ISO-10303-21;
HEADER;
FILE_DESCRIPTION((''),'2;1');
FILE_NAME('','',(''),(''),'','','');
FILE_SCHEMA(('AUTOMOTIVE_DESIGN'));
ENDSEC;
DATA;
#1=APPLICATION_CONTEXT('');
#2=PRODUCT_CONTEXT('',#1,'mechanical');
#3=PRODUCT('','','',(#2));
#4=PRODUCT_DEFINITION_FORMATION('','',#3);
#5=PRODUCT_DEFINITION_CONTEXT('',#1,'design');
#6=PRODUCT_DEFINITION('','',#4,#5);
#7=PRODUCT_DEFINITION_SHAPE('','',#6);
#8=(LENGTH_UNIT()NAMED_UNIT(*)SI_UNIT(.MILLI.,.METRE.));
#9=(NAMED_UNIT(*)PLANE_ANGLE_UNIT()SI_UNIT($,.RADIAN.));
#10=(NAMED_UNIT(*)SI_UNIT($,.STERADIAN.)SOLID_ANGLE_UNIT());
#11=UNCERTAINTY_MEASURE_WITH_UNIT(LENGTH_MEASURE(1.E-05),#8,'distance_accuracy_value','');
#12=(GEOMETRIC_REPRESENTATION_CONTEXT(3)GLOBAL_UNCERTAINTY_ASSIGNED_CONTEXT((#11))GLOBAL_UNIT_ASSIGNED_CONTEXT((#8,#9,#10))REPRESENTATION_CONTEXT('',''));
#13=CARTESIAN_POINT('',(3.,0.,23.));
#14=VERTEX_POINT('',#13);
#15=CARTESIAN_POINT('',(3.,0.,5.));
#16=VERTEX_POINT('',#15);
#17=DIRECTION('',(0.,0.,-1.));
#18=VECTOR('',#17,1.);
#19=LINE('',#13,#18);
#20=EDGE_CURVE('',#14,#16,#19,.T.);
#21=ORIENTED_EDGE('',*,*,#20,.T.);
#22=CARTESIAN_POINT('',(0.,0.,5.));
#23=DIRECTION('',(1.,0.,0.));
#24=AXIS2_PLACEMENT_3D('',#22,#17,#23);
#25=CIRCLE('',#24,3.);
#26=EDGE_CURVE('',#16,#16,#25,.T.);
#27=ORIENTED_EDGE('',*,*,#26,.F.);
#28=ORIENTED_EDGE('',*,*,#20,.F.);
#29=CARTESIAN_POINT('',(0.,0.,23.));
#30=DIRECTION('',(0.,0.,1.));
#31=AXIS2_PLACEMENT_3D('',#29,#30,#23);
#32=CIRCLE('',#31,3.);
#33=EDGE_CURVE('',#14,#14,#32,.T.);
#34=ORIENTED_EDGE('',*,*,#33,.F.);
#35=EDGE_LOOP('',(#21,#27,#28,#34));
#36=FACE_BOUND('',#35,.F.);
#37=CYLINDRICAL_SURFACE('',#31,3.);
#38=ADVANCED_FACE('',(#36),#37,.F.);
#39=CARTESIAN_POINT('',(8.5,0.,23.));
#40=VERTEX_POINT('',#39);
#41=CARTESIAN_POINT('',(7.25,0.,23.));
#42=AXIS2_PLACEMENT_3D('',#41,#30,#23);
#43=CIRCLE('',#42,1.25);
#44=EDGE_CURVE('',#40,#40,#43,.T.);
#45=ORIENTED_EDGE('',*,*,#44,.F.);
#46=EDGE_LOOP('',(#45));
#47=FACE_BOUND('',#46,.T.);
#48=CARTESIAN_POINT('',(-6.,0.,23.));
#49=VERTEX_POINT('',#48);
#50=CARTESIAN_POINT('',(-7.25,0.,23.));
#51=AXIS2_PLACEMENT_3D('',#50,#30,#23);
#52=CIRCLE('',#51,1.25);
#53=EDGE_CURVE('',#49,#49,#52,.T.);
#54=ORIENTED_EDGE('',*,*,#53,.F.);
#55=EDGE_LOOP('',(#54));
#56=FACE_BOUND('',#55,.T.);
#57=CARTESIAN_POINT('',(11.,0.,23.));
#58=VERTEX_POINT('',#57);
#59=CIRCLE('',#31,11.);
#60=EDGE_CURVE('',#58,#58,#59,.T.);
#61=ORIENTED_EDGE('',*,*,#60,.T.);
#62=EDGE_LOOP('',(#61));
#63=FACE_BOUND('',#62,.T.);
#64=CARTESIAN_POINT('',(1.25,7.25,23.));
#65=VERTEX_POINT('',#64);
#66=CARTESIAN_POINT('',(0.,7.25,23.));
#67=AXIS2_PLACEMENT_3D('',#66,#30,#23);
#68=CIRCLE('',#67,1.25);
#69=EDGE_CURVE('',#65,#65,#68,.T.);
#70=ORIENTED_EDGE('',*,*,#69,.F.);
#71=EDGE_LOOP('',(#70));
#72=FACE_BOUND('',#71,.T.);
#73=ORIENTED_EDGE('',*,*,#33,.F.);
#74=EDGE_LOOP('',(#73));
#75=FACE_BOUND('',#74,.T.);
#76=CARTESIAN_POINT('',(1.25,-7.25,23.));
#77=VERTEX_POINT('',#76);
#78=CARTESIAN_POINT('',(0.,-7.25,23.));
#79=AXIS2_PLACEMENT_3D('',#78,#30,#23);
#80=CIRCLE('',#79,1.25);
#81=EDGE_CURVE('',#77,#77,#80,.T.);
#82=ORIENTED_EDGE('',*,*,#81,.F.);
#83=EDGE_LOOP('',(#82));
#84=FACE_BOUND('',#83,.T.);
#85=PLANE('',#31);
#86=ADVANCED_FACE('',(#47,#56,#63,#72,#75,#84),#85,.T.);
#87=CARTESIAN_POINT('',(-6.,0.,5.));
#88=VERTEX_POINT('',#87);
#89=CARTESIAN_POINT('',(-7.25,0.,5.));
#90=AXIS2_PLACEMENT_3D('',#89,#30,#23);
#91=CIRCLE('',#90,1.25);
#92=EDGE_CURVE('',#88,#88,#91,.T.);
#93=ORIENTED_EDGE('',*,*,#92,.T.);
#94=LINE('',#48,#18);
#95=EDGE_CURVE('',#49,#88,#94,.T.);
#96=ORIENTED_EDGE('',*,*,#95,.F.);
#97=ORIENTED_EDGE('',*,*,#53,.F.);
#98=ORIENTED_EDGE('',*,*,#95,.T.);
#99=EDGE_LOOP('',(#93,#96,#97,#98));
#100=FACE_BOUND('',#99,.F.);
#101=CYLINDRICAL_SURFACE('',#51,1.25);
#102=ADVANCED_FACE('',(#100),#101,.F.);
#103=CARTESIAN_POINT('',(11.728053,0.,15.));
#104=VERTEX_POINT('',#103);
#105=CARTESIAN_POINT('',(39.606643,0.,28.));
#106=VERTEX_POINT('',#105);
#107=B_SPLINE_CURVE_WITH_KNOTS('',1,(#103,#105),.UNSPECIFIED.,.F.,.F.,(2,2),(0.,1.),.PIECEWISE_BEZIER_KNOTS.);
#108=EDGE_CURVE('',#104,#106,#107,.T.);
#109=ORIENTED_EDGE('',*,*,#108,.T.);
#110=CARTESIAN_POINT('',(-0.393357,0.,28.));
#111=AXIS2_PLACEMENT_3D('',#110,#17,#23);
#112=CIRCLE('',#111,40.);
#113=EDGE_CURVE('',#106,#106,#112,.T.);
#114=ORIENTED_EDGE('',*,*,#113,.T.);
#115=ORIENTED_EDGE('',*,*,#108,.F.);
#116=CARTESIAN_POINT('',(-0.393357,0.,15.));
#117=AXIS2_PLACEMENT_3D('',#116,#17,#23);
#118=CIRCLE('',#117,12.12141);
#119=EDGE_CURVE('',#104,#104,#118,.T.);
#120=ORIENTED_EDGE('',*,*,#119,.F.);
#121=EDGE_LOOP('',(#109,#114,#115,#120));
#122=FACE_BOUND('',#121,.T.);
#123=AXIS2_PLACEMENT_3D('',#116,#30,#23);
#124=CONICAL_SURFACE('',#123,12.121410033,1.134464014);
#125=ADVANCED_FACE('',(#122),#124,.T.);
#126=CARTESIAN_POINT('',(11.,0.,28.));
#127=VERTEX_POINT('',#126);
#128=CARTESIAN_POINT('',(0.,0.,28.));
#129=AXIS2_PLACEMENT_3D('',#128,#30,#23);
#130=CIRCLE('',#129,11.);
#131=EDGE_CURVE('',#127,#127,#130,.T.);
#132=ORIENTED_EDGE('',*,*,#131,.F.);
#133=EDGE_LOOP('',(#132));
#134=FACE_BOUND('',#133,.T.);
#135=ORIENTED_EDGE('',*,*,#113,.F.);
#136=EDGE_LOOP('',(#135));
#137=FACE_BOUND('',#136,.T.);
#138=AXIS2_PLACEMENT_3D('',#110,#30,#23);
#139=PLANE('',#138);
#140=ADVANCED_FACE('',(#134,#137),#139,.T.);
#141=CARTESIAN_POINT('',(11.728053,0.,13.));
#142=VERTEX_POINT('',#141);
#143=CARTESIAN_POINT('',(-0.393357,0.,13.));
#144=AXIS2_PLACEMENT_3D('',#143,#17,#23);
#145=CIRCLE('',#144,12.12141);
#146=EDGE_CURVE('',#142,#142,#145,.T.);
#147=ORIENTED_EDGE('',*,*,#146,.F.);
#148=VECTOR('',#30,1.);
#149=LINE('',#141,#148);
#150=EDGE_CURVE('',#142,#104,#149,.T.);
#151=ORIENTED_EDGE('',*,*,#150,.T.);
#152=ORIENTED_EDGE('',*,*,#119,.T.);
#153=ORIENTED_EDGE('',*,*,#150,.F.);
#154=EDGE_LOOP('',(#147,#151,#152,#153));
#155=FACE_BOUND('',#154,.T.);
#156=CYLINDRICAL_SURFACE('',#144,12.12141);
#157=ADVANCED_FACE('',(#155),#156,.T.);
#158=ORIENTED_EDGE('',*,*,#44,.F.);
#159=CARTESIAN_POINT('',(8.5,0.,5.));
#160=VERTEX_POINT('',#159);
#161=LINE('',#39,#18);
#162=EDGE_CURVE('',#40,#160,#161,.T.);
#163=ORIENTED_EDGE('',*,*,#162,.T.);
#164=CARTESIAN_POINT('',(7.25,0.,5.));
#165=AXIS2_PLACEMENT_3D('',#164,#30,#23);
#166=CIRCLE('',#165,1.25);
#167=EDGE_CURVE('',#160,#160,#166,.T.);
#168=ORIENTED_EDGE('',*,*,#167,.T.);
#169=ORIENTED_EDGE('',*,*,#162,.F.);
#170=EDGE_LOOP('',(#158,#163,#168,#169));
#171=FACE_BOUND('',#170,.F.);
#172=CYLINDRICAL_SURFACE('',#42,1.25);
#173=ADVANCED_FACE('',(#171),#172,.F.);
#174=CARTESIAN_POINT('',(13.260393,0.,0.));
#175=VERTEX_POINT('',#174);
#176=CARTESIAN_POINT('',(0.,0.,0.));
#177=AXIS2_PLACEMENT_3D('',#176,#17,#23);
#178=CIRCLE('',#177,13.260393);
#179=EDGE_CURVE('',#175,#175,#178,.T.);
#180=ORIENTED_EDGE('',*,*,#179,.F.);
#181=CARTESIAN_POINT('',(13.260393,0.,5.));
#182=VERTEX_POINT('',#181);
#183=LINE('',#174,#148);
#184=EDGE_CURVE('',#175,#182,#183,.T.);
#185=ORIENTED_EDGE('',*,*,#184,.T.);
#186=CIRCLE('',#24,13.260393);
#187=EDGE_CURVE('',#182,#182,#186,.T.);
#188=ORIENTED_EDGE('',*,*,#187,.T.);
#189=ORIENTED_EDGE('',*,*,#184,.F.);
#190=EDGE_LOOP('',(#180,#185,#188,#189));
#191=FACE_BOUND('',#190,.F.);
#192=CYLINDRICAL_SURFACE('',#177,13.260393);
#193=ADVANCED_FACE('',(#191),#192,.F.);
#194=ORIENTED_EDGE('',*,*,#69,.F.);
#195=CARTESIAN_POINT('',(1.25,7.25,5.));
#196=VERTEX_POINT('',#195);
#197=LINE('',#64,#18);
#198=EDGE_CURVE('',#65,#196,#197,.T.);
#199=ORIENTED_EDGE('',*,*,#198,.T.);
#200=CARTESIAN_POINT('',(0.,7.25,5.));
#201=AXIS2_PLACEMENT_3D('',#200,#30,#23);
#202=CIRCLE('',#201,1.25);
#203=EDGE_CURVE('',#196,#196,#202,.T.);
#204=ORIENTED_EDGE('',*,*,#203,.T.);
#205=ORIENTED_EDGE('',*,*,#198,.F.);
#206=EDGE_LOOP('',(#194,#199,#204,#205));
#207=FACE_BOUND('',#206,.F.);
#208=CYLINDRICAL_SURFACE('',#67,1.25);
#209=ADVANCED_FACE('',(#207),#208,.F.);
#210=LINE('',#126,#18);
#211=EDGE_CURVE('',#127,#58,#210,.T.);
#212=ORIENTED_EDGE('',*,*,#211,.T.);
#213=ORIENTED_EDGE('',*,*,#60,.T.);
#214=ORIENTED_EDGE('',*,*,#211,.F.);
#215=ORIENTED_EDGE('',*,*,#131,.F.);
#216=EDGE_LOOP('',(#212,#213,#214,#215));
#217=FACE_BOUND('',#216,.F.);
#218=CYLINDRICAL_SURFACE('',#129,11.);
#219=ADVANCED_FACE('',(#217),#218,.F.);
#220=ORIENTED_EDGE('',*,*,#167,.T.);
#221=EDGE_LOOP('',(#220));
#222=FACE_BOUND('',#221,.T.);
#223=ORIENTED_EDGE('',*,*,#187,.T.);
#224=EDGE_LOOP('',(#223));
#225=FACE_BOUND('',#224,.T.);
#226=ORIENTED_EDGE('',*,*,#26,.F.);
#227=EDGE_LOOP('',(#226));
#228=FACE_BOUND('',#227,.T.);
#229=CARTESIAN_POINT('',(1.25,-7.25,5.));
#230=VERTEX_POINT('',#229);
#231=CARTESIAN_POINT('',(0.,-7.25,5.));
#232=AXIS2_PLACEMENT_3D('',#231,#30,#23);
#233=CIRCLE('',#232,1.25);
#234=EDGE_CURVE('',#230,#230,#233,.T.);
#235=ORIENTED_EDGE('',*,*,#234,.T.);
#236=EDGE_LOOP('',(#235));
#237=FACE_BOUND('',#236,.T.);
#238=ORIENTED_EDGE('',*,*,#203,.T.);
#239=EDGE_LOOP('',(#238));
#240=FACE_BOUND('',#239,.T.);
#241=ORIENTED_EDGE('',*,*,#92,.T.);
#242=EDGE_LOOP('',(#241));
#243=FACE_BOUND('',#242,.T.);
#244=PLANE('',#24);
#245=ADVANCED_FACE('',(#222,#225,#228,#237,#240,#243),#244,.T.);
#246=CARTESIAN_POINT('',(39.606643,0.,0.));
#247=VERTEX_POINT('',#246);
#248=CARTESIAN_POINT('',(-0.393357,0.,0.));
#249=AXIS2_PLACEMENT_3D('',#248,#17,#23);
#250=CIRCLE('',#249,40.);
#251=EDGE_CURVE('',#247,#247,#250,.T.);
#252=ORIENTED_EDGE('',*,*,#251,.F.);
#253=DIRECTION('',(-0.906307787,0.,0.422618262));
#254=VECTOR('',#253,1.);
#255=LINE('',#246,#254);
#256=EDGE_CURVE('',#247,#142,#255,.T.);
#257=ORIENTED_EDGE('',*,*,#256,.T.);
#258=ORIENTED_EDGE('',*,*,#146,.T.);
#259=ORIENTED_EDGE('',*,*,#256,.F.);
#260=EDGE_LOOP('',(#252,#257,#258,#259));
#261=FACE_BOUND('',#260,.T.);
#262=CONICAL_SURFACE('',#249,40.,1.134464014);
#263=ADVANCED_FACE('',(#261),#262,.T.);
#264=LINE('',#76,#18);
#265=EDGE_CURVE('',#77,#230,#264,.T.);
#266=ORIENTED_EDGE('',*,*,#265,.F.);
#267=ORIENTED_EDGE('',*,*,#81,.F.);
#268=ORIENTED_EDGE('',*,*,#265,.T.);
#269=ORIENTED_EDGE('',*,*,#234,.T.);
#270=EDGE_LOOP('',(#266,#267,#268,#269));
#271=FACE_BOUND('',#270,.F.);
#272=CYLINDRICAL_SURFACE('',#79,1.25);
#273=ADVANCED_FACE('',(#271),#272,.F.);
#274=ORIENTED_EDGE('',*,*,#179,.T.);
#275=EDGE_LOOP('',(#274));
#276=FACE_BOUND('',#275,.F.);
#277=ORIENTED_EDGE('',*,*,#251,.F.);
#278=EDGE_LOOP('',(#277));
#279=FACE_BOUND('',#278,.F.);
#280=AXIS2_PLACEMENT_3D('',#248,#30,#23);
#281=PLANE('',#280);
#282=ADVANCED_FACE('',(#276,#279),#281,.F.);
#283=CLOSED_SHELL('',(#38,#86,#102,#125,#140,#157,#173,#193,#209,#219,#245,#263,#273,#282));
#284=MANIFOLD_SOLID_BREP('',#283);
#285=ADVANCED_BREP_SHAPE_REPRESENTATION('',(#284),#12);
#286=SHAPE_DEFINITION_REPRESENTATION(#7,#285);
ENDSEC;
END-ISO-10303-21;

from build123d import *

# Parameters (mm, degrees)
F0_R      = 40
F1_DEPTH  = 13
F1_TAPER  = 65
F2_DEPTH  = 2
F2_FACE_R = 12.1214100334
F3_DEPTH  = 13
F3_TAPER  = -65
F4_R      = 11
F5_DEPTH  = 5
F6_R      = 3
F7_DEPTH  = 50
F6_R_2    = 1.25
F8_DEPTH  = 20
F9_R      = 13.260393294
F9_R_2    = 3
F10_DEPTH = 5


with BuildPart() as f1:
    # F0 (on Top) → F1 (new body)
    with BuildSketch(Plane.XY):
        with Locations((-0.3933568078, 0)):
            Circle(F0_R)
    extrude(amount=F1_DEPTH, taper=F1_TAPER)

    # F2 (add): a face of the model
    f2_faces = [f1.faces().sort_by_distance(p)[0] for p in [
        (-0.3933568078, 0, 13),
    ]]
    extrude(f2_faces, amount=F2_DEPTH)

    # F2_face (on face) → F3 (join)
    with BuildSketch(Plane(origin=(-0.3933568078, 0, 15), x_dir=(1, 0, 0), z_dir=(0, 0, 1))):
        Circle(F2_FACE_R)
    extrude(amount=F3_DEPTH, taper=F3_TAPER)

    # F4 (on face) → F5 (cut)
    with BuildSketch(Plane.XY.offset(28)):
        Circle(F4_R)
    extrude(amount=-F5_DEPTH, mode=Mode.SUBTRACT)

    # F6 (on face) → F7 (cut)
    with BuildSketch(Plane.XY.offset(23)):
        Circle(F6_R)
    extrude(amount=-F7_DEPTH, mode=Mode.SUBTRACT)

    # F6 (on face) → F8 (cut)
    with BuildSketch(Plane.XY.offset(23)):
        with Locations((0, 7.25)):
            Circle(F6_R_2)
        with Locations((7.25, 0)):
            Circle(F6_R_2)
        with Locations((0, -7.25)):
            Circle(F6_R_2)
        with Locations((-7.25, 0)):
            Circle(F6_R_2)
    extrude(amount=-F8_DEPTH, mode=Mode.SUBTRACT)

    # F9 (on face) → F10 (cut)
    with BuildSketch(Plane(origin=(0, 0, 0), x_dir=(1, 0, 0), z_dir=(0, 0, -1))):
        Circle(F9_R)
        Circle(F9_R_2, mode=Mode.SUBTRACT)
    extrude(amount=-F10_DEPTH, mode=Mode.SUBTRACT)


solid = f1.part
